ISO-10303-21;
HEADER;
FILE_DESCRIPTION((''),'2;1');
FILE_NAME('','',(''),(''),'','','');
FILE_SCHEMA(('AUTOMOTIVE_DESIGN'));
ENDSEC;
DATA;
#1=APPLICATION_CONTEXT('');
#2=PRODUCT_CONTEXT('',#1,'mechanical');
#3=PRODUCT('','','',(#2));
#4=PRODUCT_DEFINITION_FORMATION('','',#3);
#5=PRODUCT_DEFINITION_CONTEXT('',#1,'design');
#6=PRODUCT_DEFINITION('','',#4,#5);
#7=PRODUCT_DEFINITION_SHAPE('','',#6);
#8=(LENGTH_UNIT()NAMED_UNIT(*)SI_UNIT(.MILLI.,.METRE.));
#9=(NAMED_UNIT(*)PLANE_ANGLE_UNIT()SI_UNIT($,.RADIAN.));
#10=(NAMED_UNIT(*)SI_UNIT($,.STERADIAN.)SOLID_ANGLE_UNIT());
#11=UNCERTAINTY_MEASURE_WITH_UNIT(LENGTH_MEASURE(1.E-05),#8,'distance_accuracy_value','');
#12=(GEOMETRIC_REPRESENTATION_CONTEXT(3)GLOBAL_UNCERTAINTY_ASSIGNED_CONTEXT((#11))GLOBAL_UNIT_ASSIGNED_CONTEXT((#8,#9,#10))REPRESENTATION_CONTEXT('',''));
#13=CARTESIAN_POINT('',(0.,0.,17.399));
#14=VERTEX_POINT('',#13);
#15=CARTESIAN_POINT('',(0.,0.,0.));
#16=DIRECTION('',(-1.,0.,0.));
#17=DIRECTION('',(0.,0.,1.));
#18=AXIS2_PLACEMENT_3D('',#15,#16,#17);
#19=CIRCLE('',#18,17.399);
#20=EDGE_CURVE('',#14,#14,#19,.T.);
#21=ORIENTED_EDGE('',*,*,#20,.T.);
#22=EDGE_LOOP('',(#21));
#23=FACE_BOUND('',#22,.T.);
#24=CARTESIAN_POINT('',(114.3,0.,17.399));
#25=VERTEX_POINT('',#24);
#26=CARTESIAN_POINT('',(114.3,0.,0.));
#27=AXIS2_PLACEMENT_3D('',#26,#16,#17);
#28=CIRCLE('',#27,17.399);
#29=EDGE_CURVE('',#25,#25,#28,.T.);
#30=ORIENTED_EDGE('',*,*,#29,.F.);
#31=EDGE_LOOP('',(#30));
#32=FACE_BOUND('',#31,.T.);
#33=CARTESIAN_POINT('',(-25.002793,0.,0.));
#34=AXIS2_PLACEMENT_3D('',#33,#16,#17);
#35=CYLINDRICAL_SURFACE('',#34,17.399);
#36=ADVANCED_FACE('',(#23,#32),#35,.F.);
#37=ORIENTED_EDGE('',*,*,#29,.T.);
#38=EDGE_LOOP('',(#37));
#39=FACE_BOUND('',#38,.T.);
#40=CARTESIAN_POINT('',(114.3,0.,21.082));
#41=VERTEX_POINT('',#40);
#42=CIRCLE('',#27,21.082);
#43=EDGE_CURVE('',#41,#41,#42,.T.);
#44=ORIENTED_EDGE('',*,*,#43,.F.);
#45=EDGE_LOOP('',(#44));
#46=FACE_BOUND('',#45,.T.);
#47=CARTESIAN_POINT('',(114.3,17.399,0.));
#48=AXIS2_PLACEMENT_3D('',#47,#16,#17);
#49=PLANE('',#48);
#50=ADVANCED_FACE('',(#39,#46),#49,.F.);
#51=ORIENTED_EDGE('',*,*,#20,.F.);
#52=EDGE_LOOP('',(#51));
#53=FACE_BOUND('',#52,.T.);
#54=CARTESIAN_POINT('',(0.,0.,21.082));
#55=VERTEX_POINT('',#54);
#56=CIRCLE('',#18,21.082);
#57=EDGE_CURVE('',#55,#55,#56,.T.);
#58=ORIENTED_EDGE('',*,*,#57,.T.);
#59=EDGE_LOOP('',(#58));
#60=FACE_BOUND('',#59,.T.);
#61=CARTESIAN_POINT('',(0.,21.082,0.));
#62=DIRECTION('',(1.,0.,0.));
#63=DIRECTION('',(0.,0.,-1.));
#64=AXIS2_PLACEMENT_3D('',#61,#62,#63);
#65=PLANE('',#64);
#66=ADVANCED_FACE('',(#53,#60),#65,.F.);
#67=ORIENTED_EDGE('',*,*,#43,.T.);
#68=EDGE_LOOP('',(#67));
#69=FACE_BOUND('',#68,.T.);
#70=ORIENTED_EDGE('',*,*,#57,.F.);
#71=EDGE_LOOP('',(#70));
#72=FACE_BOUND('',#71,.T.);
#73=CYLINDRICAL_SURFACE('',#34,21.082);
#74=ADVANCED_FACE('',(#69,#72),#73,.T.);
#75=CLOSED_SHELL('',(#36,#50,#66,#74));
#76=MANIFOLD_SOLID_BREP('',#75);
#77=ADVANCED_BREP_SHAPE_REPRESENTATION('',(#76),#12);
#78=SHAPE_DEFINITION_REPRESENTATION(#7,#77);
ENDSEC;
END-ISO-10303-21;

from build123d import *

# Parameters (mm, degrees)
SKETCH1_W = 114.3
SKETCH1_H = 3.683


with BuildPart() as part:
    # Sketch1 → Revolve1 (revolve)
    with BuildSketch(Plane.XY):
        with Locations((57.15, 19.2405)):
            Rectangle(SKETCH1_W, SKETCH1_H)
    revolve(axis=Axis((-25.002792604, 0, 0), (1, 0, 0)))


solid = part.part
